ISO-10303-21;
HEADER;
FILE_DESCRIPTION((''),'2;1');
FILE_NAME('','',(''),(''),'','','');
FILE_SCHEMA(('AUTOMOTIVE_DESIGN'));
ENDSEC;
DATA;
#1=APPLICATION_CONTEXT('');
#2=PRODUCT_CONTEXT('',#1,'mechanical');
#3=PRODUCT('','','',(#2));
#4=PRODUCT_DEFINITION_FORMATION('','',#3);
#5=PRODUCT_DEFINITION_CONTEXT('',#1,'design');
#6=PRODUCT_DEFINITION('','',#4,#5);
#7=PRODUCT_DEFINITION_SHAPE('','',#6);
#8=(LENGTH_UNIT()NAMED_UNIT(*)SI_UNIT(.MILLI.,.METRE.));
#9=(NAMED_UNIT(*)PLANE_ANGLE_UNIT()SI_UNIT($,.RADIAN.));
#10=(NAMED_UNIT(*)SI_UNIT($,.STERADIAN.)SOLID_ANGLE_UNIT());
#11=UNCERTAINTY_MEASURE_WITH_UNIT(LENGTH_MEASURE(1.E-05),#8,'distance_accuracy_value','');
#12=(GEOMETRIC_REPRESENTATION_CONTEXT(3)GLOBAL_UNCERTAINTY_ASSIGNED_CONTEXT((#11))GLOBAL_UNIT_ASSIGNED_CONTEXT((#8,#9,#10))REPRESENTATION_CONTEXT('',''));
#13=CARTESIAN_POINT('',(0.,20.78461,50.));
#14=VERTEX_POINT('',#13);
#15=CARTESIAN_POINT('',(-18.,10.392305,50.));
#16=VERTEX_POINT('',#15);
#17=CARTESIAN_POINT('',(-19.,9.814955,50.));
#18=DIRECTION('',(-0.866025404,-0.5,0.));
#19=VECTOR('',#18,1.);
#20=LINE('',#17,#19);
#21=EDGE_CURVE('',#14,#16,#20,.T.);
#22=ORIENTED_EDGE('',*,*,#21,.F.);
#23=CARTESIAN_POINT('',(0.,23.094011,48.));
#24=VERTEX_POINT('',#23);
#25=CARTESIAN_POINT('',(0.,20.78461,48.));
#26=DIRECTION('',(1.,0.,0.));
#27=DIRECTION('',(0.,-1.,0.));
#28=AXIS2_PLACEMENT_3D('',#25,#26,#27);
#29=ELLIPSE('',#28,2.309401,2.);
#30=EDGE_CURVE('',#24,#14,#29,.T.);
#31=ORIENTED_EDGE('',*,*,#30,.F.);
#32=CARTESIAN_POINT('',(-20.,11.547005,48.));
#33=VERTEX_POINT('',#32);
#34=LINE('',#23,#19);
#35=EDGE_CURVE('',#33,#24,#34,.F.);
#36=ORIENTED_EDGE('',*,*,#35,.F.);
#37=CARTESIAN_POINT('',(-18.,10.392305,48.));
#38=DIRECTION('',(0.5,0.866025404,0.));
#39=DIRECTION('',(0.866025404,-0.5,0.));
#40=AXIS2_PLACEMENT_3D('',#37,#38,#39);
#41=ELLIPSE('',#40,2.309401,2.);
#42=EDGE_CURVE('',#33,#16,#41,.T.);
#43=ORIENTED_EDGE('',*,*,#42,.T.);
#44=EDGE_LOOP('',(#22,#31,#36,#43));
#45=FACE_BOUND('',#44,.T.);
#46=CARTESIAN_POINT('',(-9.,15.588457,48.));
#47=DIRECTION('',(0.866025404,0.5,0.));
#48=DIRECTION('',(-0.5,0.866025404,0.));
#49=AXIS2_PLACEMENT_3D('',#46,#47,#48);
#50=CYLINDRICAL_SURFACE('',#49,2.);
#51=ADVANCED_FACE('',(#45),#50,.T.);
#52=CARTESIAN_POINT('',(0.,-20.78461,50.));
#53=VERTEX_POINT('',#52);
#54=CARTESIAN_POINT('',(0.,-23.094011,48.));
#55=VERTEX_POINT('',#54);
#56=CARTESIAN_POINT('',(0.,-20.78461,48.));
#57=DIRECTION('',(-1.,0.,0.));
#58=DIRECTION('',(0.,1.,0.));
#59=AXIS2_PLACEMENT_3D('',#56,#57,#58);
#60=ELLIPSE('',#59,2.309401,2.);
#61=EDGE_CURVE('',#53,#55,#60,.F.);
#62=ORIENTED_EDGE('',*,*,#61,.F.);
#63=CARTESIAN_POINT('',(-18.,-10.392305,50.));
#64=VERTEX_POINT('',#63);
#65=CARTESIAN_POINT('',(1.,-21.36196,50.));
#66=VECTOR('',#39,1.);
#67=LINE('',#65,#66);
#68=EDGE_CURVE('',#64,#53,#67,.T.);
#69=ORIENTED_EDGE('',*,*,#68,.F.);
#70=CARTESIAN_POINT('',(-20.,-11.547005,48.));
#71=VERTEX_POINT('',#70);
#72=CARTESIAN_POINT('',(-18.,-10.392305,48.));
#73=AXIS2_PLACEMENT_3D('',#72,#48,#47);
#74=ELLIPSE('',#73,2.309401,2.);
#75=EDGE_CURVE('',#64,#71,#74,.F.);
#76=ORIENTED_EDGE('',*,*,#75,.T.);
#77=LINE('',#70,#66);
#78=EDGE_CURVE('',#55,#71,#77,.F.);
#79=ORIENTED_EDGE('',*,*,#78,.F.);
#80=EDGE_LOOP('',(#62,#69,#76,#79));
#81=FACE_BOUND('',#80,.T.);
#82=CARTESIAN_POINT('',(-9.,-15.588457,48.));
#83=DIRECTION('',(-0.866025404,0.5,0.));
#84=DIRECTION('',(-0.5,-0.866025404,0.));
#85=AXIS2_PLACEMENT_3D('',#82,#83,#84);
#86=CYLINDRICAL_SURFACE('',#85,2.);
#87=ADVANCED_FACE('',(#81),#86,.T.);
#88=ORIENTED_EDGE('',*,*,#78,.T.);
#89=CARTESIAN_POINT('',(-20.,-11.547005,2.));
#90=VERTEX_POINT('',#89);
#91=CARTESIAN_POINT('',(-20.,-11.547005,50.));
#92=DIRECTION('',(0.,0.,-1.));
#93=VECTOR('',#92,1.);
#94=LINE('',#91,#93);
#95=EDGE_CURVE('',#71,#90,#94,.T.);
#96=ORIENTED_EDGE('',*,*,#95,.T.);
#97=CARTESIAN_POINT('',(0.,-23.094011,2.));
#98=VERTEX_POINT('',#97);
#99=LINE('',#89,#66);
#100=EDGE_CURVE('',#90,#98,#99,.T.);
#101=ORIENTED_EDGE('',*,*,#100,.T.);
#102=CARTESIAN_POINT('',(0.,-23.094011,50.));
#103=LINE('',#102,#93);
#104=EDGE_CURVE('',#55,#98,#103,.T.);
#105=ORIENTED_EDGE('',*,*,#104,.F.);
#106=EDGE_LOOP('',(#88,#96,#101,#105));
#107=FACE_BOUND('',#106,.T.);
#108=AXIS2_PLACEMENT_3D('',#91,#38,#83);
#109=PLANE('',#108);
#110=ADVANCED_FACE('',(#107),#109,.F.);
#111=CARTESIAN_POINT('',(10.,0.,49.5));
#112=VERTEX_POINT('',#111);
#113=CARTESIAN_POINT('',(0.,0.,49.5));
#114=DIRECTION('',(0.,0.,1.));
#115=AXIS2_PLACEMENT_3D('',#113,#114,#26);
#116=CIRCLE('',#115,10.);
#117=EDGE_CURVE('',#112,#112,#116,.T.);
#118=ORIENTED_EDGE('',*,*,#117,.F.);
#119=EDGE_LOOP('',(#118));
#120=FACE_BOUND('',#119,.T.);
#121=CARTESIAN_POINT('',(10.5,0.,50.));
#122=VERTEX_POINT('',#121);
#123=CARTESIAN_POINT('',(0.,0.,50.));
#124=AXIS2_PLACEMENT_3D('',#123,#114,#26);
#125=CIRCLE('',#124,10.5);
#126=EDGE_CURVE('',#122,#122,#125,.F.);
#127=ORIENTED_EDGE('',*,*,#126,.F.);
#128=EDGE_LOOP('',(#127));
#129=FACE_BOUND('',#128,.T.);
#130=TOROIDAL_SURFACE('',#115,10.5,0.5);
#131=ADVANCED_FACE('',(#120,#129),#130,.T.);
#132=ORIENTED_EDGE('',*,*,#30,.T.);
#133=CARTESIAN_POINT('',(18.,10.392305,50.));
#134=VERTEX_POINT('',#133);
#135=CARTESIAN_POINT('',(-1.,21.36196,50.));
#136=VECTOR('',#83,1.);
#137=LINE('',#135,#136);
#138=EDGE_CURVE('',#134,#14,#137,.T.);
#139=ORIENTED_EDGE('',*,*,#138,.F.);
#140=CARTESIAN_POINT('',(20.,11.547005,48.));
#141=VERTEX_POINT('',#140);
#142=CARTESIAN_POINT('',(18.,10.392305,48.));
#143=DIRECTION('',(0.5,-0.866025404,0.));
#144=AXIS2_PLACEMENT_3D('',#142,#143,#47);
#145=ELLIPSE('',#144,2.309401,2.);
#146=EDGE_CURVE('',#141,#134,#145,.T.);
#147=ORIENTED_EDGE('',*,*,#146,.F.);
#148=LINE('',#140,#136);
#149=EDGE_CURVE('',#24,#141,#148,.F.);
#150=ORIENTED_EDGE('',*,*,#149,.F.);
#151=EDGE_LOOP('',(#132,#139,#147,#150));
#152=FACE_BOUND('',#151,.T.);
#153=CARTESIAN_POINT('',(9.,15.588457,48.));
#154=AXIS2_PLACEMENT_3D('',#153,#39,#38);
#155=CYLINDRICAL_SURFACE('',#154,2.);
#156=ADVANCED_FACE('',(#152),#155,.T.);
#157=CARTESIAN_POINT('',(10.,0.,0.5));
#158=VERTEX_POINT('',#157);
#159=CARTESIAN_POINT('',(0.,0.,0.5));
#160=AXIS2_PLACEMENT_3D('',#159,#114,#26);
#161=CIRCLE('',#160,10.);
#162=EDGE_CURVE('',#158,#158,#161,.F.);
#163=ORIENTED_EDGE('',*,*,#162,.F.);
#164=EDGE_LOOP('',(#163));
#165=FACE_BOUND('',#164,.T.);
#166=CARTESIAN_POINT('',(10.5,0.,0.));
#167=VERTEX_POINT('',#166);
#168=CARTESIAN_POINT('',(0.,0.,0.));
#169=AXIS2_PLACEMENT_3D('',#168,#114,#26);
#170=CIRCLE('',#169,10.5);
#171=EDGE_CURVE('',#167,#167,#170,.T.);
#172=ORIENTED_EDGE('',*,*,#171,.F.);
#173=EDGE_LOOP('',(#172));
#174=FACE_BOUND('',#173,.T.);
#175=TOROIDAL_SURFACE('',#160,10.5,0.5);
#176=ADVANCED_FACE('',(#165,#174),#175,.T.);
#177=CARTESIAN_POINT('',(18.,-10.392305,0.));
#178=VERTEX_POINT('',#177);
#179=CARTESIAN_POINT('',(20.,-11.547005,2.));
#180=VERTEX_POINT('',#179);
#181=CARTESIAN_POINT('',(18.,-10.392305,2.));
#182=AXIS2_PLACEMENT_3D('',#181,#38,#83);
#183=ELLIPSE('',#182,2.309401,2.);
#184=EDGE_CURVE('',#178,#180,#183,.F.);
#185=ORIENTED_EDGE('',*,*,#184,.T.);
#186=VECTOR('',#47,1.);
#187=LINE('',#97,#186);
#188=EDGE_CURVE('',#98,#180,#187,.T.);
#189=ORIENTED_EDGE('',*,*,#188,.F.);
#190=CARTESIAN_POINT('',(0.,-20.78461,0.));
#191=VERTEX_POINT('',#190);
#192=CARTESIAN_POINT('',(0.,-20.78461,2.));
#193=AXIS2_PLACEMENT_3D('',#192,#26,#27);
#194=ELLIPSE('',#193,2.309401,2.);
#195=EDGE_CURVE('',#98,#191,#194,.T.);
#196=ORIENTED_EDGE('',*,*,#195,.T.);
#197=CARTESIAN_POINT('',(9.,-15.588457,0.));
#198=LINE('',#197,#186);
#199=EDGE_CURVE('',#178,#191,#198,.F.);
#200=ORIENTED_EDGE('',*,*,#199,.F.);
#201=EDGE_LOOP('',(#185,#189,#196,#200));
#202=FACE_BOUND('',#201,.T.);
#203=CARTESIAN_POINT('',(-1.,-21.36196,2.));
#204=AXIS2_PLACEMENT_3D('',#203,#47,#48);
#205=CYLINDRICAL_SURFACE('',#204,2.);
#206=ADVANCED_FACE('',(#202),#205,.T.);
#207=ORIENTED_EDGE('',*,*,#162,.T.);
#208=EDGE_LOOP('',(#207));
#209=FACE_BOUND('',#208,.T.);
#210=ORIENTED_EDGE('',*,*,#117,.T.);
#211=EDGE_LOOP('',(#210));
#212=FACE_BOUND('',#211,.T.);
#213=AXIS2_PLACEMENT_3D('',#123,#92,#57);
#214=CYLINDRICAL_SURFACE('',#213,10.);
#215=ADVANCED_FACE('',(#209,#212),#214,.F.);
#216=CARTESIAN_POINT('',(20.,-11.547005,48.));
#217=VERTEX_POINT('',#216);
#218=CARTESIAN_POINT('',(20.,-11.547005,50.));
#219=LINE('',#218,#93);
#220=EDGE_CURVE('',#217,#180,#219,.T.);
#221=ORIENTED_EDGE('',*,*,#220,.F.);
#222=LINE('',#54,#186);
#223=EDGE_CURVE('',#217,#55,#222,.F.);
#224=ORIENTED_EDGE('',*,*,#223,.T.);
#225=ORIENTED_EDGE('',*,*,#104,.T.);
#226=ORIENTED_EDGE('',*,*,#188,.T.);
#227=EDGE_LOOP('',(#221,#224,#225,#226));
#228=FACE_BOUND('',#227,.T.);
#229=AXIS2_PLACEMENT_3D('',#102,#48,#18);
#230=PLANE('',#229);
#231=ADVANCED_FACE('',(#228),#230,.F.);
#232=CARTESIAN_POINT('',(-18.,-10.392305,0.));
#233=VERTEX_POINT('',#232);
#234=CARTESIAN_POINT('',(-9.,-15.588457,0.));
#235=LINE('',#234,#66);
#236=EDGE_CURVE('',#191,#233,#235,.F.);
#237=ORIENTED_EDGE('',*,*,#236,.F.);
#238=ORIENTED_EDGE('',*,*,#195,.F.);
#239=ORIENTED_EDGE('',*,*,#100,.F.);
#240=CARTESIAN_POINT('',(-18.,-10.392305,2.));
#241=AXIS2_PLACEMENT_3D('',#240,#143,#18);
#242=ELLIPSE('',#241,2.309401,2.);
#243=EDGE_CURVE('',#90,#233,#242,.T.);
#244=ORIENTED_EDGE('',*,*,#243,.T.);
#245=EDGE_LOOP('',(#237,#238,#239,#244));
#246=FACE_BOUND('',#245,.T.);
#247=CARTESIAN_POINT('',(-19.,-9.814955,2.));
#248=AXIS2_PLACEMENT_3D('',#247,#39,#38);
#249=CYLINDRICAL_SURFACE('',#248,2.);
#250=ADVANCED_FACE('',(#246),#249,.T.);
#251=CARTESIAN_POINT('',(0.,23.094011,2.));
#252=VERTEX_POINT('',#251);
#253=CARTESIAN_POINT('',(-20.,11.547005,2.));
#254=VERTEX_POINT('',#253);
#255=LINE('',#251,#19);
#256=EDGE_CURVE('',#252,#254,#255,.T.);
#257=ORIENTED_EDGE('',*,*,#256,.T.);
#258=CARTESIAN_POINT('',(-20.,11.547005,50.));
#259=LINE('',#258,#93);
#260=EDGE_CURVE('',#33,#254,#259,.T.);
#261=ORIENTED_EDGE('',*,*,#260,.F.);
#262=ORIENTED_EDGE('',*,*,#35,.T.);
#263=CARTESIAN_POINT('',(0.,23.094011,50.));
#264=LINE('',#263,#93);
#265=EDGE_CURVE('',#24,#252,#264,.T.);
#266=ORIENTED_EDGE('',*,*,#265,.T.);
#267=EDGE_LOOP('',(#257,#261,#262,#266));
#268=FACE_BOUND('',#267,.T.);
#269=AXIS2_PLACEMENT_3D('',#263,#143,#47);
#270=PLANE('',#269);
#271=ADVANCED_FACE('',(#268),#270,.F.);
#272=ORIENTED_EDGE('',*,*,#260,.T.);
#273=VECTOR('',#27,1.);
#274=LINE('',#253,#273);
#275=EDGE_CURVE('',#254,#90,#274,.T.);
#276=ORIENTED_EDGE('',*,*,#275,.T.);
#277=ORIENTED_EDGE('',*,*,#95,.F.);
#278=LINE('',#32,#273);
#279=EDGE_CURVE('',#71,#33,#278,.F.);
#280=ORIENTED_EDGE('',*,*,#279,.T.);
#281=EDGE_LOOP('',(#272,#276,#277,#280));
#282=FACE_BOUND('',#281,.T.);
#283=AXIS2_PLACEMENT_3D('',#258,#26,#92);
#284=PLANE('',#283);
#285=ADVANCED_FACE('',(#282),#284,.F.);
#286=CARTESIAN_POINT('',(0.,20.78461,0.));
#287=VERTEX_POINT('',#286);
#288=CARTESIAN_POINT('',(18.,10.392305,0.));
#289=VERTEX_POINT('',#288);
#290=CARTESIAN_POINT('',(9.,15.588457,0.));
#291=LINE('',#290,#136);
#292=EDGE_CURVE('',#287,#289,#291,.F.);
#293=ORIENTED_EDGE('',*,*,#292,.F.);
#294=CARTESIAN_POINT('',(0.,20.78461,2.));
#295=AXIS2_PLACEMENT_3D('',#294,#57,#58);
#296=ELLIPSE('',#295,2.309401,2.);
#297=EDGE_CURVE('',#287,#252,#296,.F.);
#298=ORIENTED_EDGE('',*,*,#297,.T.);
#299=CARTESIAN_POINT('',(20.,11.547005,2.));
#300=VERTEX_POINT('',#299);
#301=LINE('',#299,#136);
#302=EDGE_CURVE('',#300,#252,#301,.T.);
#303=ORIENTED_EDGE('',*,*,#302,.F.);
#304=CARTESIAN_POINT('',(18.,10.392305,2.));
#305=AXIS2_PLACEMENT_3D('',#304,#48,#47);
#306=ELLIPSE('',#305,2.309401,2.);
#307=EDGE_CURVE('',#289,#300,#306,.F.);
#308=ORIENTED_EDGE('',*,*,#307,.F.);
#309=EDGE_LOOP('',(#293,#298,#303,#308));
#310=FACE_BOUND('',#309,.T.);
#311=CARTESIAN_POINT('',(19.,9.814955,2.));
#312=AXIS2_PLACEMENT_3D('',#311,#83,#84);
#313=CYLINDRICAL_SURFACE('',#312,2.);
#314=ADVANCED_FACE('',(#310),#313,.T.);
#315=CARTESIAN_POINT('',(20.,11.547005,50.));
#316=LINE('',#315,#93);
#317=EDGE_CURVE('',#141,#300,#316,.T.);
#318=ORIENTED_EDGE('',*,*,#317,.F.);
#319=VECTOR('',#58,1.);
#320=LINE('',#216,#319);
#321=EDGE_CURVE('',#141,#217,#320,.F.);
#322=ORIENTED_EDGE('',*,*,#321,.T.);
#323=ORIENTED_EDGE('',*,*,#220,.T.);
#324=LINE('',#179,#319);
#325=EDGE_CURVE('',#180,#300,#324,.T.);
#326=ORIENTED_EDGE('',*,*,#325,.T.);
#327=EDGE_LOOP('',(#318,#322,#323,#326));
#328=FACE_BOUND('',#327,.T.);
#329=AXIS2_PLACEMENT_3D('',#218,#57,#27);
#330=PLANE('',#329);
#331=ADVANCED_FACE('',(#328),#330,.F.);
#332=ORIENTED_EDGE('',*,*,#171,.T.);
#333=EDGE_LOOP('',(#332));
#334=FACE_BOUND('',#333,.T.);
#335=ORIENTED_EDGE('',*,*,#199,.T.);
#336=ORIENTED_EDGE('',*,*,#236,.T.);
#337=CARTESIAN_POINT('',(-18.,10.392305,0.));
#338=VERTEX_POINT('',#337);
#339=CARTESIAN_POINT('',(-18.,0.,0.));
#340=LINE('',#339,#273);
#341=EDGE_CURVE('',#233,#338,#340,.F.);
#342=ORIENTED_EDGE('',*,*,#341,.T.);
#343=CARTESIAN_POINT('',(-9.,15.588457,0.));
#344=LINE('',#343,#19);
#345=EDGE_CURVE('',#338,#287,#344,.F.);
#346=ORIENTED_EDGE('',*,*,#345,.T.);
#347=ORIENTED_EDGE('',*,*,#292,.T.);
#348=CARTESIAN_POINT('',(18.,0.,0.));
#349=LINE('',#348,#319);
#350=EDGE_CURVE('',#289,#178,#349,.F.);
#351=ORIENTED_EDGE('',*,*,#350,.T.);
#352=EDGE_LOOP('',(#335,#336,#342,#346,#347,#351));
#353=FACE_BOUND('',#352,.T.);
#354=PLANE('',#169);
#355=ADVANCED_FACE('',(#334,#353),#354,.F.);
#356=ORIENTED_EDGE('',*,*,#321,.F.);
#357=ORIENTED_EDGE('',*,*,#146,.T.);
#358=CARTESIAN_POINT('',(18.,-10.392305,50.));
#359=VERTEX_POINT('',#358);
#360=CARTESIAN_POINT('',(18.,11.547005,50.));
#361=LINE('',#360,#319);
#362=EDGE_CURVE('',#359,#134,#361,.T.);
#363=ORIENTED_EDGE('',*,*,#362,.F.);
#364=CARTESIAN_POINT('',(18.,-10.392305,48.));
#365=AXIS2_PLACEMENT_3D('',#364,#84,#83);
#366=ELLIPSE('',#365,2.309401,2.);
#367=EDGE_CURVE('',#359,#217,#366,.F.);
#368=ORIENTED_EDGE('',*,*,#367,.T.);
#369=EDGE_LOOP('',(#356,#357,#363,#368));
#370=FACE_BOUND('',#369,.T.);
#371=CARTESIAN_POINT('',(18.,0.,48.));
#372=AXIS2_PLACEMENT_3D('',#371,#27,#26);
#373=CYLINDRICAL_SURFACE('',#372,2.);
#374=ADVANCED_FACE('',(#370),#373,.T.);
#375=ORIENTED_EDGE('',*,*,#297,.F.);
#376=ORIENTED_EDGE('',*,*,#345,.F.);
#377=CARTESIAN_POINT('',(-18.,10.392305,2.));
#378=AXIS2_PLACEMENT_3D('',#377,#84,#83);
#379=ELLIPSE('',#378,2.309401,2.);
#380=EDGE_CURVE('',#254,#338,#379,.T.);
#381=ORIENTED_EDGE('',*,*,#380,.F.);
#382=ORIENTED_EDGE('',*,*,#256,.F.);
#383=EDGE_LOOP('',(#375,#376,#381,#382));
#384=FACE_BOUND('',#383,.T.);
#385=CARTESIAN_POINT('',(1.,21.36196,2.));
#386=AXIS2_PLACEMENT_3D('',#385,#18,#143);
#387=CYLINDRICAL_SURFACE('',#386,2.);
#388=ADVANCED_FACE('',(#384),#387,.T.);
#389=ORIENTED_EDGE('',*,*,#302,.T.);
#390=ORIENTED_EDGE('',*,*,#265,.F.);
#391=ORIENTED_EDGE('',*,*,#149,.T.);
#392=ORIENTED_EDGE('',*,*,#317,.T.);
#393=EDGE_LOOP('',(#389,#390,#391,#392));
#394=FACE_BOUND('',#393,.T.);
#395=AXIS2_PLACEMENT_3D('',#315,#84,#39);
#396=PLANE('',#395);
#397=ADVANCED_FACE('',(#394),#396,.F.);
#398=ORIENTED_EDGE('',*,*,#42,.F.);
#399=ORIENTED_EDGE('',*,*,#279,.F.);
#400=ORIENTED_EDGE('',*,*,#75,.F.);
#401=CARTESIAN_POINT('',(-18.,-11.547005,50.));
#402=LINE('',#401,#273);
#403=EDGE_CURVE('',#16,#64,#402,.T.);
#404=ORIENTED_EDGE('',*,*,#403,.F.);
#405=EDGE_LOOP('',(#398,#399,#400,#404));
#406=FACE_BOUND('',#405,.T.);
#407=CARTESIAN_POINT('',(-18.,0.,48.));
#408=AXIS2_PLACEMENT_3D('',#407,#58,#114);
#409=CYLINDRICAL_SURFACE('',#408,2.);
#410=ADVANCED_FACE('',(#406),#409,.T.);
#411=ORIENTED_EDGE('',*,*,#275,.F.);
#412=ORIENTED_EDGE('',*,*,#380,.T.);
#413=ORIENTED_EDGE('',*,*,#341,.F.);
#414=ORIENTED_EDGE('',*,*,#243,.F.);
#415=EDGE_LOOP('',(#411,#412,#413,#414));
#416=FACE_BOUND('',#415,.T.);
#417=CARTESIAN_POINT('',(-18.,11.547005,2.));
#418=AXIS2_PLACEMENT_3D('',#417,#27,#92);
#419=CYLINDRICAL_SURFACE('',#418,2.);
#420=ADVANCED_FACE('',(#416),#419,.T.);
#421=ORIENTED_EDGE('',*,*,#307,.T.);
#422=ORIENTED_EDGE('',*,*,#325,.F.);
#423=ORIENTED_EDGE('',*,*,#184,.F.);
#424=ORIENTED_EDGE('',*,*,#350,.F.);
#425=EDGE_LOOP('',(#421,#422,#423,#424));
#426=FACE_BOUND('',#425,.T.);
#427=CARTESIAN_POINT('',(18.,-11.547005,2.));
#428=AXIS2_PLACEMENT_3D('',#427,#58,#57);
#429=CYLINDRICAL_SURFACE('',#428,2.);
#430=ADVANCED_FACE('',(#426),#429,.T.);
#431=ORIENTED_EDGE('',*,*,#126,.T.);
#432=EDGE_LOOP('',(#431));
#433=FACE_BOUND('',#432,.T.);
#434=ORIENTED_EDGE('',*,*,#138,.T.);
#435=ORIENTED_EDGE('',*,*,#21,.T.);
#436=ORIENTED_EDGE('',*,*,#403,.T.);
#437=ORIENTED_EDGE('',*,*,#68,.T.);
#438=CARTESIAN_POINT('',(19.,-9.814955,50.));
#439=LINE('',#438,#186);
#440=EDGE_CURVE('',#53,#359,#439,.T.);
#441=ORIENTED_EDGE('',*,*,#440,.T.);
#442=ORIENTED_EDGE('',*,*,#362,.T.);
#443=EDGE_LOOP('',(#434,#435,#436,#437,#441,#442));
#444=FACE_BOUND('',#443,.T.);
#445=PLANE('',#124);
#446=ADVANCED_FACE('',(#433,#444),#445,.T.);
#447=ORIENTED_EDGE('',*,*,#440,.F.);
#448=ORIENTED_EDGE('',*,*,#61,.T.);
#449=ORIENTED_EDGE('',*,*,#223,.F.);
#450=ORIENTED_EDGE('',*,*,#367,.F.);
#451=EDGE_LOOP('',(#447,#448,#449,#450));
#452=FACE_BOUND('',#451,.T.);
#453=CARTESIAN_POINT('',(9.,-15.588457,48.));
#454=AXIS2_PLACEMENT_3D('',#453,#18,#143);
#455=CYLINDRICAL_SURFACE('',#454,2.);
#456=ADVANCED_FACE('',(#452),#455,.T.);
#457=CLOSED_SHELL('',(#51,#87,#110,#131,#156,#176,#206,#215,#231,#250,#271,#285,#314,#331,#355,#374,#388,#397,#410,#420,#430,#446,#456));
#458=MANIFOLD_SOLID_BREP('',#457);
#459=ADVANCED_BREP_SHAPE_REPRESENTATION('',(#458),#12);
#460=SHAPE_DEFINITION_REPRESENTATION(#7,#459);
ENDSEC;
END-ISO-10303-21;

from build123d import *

# Parameters (mm, degrees)
SKETCH_1_R      = 10
EXTRUDE_1_DEPTH = 50
FILLET_1_R      = 2
FILLET_2_R      = 0.5


with BuildPart() as part:
    # 草图1 → 凸台-拉伸1 (new body)
    with BuildSketch(Plane.XY):
        Polygon((0, -23.094010768), (20, -11.547005384), (20, 11.547005384), (0, 23.094010768), (-20, 11.547005384), (-20, -11.547005384), align=None)
        Circle(SKETCH_1_R, mode=Mode.SUBTRACT)
    extrude(amount=EXTRUDE_1_DEPTH)

    # 圆角1
    fillet_1_edges = [part.edges().sort_by_distance(p)[0] for p in [
        (20, 0, 50),
        (10, 17.320508076, 50),
        (-10, 17.320508076, 50),
        (-20, 0, 50),
        (-10, -17.320508076, 50),
        (-20, 0, 0),
        (-10, 17.320508076, 0),
        (10, 17.320508076, 0),
        (10, -17.320508076, 50),
        (20, 0, 0),
        (10, -17.320508076, 0),
        (-10, -17.320508076, 0),
    ]]
    fillet(fillet_1_edges, radius=FILLET_1_R)

    # 圆角2
    fillet_2_edges = [part.edges().sort_by_distance(p)[0] for p in [
        (-10, 0, 0),
        (-10, 0, 50),
    ]]
    fillet(fillet_2_edges, radius=FILLET_2_R)


solid = part.part
